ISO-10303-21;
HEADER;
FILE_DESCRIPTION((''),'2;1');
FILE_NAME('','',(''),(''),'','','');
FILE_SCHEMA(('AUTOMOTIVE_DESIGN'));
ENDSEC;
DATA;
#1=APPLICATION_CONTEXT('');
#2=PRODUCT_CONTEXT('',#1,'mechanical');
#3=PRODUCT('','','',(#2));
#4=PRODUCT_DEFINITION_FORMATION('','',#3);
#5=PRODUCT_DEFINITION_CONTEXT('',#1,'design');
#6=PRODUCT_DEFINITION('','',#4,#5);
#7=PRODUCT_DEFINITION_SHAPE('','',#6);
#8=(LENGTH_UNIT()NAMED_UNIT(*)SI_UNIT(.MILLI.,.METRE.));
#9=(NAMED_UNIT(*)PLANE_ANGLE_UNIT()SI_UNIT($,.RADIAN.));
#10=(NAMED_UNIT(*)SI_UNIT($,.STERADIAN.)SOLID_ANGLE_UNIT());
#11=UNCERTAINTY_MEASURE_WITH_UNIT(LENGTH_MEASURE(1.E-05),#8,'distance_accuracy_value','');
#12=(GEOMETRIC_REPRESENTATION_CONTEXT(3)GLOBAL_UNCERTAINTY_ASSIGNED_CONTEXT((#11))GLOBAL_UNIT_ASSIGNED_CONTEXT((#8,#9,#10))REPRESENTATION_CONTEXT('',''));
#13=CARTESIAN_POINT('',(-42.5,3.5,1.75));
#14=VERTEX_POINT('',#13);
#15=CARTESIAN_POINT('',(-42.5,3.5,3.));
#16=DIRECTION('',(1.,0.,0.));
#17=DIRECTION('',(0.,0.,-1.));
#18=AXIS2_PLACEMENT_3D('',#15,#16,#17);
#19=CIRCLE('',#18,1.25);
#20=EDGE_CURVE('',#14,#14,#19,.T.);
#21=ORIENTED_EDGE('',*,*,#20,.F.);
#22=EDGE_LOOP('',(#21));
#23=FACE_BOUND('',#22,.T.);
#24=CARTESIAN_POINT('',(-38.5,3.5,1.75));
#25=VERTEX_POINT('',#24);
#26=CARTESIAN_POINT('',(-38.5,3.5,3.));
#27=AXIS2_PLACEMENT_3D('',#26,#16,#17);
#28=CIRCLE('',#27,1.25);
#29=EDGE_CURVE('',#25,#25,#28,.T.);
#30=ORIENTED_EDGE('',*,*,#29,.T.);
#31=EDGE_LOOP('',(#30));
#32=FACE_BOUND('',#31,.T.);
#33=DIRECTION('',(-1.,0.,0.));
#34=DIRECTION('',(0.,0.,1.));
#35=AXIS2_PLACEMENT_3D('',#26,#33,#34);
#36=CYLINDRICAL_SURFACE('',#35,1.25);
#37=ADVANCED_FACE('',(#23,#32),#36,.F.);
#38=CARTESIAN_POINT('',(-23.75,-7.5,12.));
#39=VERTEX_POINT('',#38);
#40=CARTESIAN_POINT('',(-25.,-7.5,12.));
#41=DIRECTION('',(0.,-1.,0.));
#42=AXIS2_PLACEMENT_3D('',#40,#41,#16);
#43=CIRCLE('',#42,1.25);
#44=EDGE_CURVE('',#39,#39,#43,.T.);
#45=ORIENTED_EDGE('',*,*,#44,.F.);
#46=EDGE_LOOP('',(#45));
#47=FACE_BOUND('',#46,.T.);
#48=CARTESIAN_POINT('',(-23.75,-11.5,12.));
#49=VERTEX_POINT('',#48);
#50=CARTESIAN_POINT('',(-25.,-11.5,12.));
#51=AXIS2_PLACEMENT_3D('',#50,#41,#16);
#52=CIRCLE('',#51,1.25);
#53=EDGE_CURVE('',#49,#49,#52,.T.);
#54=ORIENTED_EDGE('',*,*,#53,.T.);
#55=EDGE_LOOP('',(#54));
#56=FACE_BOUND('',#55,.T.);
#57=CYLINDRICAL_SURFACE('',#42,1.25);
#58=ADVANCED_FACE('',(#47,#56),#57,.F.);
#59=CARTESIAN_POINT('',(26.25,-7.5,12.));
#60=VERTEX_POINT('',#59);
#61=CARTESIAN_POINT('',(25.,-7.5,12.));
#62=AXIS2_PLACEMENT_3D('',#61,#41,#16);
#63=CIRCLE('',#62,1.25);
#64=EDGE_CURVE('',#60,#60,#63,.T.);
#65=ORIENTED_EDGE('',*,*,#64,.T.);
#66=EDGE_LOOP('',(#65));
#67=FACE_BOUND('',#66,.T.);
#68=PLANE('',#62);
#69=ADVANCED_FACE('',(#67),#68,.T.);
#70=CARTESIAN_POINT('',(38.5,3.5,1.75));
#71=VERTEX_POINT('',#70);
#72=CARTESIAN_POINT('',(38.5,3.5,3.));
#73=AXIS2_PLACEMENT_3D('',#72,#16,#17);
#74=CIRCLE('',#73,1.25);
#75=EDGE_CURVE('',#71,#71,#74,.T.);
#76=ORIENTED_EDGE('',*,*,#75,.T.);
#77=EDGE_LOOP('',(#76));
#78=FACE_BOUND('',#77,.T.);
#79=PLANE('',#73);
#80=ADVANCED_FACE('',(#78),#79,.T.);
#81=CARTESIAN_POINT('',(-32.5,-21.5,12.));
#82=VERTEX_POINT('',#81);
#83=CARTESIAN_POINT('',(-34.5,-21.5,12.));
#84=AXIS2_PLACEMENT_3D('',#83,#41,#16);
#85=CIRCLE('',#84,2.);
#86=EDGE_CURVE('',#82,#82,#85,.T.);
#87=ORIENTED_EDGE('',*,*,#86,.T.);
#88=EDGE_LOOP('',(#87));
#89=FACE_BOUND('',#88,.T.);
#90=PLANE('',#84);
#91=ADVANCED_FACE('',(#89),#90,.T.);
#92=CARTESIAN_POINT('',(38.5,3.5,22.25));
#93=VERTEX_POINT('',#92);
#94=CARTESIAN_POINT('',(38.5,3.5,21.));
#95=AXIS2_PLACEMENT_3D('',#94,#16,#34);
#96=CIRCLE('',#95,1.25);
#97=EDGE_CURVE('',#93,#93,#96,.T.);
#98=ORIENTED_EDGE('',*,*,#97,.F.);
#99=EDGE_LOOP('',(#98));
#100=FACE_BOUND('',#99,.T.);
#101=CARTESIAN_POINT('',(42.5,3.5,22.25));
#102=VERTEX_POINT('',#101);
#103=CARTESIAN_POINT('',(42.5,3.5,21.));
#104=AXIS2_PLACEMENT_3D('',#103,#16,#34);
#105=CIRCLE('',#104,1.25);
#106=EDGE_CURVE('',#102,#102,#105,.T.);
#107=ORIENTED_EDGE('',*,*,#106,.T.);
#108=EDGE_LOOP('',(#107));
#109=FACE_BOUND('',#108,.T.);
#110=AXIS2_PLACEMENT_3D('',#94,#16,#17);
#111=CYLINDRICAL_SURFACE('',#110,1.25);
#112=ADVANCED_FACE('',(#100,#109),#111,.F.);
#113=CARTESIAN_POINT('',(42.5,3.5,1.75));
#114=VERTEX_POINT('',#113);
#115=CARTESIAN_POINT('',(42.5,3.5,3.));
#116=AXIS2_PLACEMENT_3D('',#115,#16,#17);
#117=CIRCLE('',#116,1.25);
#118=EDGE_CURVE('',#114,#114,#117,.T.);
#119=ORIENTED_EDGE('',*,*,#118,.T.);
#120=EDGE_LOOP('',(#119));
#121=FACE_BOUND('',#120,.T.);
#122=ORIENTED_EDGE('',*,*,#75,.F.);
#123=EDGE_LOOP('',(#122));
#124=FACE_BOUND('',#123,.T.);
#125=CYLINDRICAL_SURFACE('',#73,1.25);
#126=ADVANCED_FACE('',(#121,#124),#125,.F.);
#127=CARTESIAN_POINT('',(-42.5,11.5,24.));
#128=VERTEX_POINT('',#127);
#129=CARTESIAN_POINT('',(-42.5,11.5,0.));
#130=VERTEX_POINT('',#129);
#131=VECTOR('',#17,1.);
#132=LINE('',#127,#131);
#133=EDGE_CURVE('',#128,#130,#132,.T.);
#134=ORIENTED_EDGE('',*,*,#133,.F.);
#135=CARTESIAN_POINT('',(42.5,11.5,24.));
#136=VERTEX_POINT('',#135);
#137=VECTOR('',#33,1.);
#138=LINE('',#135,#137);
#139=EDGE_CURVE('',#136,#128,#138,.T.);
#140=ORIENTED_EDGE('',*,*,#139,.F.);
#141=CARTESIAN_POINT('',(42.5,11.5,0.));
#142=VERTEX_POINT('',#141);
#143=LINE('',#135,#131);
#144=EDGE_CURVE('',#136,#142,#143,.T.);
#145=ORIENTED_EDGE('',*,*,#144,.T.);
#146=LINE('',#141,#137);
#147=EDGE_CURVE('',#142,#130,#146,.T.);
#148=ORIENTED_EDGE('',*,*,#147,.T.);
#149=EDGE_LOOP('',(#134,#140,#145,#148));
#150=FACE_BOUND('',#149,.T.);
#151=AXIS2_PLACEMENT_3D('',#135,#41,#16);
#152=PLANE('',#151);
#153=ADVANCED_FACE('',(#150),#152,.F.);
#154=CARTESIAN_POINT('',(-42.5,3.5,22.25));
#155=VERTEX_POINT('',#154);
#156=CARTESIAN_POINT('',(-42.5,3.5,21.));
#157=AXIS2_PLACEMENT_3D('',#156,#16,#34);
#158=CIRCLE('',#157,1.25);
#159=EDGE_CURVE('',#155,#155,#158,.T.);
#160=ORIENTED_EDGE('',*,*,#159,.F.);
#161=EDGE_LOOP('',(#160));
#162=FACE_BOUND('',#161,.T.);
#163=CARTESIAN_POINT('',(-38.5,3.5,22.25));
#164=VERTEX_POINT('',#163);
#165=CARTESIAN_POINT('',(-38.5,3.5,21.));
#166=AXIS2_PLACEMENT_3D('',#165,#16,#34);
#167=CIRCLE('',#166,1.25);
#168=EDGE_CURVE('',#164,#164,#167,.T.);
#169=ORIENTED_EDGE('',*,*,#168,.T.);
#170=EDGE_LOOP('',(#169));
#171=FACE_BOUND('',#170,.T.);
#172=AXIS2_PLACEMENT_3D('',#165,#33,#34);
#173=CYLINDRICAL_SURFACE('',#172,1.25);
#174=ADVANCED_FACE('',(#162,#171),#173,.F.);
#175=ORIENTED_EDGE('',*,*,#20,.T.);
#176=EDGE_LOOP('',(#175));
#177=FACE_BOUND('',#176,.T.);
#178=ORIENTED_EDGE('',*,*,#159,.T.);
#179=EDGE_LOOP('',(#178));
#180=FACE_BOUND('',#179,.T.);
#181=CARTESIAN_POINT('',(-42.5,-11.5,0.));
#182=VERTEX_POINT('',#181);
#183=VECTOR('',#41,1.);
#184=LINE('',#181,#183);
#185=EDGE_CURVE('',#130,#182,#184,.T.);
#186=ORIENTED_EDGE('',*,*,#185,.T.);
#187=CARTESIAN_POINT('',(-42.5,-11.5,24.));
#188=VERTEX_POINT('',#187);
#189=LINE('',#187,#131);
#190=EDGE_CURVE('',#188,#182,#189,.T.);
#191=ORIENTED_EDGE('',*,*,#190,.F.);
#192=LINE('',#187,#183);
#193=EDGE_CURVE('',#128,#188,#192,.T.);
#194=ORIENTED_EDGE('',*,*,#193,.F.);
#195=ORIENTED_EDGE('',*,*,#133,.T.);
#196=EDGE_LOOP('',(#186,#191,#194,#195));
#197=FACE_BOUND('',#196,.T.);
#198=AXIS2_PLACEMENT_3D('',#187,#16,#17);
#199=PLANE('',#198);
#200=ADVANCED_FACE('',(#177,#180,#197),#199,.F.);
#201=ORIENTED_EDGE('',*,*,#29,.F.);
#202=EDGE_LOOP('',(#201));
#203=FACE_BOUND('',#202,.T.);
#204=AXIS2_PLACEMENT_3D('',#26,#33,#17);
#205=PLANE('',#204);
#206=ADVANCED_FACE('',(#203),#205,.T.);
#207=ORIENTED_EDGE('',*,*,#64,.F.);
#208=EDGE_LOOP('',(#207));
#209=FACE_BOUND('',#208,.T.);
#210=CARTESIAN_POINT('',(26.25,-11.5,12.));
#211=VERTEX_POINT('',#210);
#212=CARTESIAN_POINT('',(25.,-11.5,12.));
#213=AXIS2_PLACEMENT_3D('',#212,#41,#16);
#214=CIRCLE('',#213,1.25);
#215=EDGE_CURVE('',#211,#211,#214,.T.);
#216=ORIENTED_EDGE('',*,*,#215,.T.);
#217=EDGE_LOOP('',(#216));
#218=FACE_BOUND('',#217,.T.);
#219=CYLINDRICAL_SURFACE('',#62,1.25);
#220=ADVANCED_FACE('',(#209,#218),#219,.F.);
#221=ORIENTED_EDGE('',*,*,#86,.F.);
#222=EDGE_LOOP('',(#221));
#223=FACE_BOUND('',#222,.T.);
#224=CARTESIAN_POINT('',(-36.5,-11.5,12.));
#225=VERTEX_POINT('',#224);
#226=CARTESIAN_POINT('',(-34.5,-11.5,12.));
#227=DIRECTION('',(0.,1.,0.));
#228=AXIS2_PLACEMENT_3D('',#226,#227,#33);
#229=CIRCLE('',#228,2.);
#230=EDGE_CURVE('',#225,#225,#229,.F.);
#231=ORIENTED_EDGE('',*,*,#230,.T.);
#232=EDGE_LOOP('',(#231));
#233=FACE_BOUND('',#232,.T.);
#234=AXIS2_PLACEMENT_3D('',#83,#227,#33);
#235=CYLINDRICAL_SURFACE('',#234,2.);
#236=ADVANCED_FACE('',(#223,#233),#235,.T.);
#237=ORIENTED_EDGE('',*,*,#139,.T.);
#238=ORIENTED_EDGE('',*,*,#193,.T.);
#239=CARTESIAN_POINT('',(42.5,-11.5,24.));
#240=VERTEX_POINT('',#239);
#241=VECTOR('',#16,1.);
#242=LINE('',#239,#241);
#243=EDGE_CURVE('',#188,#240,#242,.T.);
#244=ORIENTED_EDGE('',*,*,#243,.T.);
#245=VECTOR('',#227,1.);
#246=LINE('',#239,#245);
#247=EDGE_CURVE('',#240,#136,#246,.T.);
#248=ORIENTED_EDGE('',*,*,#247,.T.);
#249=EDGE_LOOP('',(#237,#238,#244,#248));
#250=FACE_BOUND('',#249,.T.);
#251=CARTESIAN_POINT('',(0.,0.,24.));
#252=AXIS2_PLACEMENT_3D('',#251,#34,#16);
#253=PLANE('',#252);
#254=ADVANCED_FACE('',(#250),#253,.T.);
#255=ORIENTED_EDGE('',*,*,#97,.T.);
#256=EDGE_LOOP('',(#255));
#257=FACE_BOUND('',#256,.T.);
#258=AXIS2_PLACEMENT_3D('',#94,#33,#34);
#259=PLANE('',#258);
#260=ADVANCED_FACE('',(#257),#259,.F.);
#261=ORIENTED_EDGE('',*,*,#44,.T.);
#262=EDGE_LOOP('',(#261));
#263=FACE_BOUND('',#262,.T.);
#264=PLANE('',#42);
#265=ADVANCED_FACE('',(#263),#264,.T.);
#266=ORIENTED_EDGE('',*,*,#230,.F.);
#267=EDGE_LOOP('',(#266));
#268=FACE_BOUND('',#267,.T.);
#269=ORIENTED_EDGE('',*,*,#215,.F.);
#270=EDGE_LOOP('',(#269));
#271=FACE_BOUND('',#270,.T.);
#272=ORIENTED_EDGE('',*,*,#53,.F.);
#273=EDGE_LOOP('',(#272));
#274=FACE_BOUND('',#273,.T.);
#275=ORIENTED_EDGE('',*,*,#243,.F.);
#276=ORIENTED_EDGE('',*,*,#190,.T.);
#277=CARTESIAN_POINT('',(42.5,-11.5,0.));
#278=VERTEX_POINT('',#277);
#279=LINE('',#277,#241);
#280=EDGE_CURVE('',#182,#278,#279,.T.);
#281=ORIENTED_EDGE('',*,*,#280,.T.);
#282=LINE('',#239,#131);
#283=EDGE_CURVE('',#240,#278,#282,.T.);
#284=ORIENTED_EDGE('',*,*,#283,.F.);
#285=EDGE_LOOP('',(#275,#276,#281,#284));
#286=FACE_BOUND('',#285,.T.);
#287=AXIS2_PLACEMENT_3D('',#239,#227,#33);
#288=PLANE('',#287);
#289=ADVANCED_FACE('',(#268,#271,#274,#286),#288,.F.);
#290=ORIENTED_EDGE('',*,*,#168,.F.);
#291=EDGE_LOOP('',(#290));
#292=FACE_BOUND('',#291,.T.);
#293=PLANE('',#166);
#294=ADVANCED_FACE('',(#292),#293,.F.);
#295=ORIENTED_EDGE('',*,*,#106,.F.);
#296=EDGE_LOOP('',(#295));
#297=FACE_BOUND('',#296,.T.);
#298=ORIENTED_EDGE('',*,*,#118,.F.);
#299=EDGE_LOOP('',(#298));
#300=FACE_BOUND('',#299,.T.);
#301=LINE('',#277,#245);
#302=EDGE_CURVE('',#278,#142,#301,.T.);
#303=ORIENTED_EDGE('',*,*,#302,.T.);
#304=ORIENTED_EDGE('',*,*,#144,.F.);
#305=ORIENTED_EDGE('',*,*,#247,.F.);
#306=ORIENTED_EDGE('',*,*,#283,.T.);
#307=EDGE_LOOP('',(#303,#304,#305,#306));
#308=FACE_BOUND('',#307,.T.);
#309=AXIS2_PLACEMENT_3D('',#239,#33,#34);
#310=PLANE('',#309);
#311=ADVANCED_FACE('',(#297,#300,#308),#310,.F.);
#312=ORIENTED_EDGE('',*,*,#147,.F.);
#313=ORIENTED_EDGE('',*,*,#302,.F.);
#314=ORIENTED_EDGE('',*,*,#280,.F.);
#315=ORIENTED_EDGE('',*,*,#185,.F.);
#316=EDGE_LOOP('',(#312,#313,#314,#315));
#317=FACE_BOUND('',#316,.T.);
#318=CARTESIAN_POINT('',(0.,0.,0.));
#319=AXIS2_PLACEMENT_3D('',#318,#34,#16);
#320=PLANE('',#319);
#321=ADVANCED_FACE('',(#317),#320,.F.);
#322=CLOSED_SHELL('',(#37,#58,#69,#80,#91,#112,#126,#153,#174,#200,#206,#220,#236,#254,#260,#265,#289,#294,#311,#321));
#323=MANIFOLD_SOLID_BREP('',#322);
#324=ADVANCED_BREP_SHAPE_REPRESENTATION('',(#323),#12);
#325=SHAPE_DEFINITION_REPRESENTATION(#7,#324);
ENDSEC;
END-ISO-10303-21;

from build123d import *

# Parameters (mm, degrees)
SKETCH1_W           = 85
SKETCH1_H           = 23
BOSS_EXTRUDE1_DEPTH = 24
SKETCH3_R           = 1.25
CUT_EXTRUDE1_DEPTH  = 4
SKETCH4_R           = 1.25
CUT_EXTRUDE2_DEPTH  = 4
SKETCH5_R           = 2
BOSS_EXTRUDE3_DEPTH = 10


with BuildPart() as part:
    # Sketch1 → Boss-Extrude1 (new body)
    with BuildSketch(Plane.XY):
        Rectangle(SKETCH1_W, SKETCH1_H)
    extrude(amount=BOSS_EXTRUDE1_DEPTH)

    # Sketch3 → Cut-Extrude1 (cut)
    with BuildSketch(Plane.XZ.offset(11.5)):
        with Locations((-25, 12)):
            Circle(SKETCH3_R)
        with Locations((25, 12)):
            Circle(SKETCH3_R)
    extrude(amount=-CUT_EXTRUDE1_DEPTH, mode=Mode.SUBTRACT)

    # Sketch4 → Cut-Extrude2 (cut)
    with BuildSketch(Plane(origin=(42.5, 0, 0), x_dir=(0, 0, -1), z_dir=(1, 0, 0))):
        with Locations((-3, 3.5)):
            Circle(SKETCH4_R)
        with Locations(Location((-21, 3.5, 0), (0, 0, 180))):
            Circle(SKETCH4_R)
    cut_extrude2 = extrude(amount=-CUT_EXTRUDE2_DEPTH, mode=Mode.SUBTRACT)

    # Mirror1: Cut-Extrude2 across plane
    add(cut_extrude2.mirror(Plane(origin=(0, 0, 0), x_dir=(0, 0, 1), z_dir=(1, 0, 0))), mode=Mode.SUBTRACT)

    # Sketch5 → Boss-Extrude3 (add)
    with BuildSketch(Plane.XZ.offset(11.5)):
        with Locations(Location((-34.5, 12, 0), (0, 0, 180))):
            Circle(SKETCH5_R)
    extrude(amount=BOSS_EXTRUDE3_DEPTH)


solid = part.part
